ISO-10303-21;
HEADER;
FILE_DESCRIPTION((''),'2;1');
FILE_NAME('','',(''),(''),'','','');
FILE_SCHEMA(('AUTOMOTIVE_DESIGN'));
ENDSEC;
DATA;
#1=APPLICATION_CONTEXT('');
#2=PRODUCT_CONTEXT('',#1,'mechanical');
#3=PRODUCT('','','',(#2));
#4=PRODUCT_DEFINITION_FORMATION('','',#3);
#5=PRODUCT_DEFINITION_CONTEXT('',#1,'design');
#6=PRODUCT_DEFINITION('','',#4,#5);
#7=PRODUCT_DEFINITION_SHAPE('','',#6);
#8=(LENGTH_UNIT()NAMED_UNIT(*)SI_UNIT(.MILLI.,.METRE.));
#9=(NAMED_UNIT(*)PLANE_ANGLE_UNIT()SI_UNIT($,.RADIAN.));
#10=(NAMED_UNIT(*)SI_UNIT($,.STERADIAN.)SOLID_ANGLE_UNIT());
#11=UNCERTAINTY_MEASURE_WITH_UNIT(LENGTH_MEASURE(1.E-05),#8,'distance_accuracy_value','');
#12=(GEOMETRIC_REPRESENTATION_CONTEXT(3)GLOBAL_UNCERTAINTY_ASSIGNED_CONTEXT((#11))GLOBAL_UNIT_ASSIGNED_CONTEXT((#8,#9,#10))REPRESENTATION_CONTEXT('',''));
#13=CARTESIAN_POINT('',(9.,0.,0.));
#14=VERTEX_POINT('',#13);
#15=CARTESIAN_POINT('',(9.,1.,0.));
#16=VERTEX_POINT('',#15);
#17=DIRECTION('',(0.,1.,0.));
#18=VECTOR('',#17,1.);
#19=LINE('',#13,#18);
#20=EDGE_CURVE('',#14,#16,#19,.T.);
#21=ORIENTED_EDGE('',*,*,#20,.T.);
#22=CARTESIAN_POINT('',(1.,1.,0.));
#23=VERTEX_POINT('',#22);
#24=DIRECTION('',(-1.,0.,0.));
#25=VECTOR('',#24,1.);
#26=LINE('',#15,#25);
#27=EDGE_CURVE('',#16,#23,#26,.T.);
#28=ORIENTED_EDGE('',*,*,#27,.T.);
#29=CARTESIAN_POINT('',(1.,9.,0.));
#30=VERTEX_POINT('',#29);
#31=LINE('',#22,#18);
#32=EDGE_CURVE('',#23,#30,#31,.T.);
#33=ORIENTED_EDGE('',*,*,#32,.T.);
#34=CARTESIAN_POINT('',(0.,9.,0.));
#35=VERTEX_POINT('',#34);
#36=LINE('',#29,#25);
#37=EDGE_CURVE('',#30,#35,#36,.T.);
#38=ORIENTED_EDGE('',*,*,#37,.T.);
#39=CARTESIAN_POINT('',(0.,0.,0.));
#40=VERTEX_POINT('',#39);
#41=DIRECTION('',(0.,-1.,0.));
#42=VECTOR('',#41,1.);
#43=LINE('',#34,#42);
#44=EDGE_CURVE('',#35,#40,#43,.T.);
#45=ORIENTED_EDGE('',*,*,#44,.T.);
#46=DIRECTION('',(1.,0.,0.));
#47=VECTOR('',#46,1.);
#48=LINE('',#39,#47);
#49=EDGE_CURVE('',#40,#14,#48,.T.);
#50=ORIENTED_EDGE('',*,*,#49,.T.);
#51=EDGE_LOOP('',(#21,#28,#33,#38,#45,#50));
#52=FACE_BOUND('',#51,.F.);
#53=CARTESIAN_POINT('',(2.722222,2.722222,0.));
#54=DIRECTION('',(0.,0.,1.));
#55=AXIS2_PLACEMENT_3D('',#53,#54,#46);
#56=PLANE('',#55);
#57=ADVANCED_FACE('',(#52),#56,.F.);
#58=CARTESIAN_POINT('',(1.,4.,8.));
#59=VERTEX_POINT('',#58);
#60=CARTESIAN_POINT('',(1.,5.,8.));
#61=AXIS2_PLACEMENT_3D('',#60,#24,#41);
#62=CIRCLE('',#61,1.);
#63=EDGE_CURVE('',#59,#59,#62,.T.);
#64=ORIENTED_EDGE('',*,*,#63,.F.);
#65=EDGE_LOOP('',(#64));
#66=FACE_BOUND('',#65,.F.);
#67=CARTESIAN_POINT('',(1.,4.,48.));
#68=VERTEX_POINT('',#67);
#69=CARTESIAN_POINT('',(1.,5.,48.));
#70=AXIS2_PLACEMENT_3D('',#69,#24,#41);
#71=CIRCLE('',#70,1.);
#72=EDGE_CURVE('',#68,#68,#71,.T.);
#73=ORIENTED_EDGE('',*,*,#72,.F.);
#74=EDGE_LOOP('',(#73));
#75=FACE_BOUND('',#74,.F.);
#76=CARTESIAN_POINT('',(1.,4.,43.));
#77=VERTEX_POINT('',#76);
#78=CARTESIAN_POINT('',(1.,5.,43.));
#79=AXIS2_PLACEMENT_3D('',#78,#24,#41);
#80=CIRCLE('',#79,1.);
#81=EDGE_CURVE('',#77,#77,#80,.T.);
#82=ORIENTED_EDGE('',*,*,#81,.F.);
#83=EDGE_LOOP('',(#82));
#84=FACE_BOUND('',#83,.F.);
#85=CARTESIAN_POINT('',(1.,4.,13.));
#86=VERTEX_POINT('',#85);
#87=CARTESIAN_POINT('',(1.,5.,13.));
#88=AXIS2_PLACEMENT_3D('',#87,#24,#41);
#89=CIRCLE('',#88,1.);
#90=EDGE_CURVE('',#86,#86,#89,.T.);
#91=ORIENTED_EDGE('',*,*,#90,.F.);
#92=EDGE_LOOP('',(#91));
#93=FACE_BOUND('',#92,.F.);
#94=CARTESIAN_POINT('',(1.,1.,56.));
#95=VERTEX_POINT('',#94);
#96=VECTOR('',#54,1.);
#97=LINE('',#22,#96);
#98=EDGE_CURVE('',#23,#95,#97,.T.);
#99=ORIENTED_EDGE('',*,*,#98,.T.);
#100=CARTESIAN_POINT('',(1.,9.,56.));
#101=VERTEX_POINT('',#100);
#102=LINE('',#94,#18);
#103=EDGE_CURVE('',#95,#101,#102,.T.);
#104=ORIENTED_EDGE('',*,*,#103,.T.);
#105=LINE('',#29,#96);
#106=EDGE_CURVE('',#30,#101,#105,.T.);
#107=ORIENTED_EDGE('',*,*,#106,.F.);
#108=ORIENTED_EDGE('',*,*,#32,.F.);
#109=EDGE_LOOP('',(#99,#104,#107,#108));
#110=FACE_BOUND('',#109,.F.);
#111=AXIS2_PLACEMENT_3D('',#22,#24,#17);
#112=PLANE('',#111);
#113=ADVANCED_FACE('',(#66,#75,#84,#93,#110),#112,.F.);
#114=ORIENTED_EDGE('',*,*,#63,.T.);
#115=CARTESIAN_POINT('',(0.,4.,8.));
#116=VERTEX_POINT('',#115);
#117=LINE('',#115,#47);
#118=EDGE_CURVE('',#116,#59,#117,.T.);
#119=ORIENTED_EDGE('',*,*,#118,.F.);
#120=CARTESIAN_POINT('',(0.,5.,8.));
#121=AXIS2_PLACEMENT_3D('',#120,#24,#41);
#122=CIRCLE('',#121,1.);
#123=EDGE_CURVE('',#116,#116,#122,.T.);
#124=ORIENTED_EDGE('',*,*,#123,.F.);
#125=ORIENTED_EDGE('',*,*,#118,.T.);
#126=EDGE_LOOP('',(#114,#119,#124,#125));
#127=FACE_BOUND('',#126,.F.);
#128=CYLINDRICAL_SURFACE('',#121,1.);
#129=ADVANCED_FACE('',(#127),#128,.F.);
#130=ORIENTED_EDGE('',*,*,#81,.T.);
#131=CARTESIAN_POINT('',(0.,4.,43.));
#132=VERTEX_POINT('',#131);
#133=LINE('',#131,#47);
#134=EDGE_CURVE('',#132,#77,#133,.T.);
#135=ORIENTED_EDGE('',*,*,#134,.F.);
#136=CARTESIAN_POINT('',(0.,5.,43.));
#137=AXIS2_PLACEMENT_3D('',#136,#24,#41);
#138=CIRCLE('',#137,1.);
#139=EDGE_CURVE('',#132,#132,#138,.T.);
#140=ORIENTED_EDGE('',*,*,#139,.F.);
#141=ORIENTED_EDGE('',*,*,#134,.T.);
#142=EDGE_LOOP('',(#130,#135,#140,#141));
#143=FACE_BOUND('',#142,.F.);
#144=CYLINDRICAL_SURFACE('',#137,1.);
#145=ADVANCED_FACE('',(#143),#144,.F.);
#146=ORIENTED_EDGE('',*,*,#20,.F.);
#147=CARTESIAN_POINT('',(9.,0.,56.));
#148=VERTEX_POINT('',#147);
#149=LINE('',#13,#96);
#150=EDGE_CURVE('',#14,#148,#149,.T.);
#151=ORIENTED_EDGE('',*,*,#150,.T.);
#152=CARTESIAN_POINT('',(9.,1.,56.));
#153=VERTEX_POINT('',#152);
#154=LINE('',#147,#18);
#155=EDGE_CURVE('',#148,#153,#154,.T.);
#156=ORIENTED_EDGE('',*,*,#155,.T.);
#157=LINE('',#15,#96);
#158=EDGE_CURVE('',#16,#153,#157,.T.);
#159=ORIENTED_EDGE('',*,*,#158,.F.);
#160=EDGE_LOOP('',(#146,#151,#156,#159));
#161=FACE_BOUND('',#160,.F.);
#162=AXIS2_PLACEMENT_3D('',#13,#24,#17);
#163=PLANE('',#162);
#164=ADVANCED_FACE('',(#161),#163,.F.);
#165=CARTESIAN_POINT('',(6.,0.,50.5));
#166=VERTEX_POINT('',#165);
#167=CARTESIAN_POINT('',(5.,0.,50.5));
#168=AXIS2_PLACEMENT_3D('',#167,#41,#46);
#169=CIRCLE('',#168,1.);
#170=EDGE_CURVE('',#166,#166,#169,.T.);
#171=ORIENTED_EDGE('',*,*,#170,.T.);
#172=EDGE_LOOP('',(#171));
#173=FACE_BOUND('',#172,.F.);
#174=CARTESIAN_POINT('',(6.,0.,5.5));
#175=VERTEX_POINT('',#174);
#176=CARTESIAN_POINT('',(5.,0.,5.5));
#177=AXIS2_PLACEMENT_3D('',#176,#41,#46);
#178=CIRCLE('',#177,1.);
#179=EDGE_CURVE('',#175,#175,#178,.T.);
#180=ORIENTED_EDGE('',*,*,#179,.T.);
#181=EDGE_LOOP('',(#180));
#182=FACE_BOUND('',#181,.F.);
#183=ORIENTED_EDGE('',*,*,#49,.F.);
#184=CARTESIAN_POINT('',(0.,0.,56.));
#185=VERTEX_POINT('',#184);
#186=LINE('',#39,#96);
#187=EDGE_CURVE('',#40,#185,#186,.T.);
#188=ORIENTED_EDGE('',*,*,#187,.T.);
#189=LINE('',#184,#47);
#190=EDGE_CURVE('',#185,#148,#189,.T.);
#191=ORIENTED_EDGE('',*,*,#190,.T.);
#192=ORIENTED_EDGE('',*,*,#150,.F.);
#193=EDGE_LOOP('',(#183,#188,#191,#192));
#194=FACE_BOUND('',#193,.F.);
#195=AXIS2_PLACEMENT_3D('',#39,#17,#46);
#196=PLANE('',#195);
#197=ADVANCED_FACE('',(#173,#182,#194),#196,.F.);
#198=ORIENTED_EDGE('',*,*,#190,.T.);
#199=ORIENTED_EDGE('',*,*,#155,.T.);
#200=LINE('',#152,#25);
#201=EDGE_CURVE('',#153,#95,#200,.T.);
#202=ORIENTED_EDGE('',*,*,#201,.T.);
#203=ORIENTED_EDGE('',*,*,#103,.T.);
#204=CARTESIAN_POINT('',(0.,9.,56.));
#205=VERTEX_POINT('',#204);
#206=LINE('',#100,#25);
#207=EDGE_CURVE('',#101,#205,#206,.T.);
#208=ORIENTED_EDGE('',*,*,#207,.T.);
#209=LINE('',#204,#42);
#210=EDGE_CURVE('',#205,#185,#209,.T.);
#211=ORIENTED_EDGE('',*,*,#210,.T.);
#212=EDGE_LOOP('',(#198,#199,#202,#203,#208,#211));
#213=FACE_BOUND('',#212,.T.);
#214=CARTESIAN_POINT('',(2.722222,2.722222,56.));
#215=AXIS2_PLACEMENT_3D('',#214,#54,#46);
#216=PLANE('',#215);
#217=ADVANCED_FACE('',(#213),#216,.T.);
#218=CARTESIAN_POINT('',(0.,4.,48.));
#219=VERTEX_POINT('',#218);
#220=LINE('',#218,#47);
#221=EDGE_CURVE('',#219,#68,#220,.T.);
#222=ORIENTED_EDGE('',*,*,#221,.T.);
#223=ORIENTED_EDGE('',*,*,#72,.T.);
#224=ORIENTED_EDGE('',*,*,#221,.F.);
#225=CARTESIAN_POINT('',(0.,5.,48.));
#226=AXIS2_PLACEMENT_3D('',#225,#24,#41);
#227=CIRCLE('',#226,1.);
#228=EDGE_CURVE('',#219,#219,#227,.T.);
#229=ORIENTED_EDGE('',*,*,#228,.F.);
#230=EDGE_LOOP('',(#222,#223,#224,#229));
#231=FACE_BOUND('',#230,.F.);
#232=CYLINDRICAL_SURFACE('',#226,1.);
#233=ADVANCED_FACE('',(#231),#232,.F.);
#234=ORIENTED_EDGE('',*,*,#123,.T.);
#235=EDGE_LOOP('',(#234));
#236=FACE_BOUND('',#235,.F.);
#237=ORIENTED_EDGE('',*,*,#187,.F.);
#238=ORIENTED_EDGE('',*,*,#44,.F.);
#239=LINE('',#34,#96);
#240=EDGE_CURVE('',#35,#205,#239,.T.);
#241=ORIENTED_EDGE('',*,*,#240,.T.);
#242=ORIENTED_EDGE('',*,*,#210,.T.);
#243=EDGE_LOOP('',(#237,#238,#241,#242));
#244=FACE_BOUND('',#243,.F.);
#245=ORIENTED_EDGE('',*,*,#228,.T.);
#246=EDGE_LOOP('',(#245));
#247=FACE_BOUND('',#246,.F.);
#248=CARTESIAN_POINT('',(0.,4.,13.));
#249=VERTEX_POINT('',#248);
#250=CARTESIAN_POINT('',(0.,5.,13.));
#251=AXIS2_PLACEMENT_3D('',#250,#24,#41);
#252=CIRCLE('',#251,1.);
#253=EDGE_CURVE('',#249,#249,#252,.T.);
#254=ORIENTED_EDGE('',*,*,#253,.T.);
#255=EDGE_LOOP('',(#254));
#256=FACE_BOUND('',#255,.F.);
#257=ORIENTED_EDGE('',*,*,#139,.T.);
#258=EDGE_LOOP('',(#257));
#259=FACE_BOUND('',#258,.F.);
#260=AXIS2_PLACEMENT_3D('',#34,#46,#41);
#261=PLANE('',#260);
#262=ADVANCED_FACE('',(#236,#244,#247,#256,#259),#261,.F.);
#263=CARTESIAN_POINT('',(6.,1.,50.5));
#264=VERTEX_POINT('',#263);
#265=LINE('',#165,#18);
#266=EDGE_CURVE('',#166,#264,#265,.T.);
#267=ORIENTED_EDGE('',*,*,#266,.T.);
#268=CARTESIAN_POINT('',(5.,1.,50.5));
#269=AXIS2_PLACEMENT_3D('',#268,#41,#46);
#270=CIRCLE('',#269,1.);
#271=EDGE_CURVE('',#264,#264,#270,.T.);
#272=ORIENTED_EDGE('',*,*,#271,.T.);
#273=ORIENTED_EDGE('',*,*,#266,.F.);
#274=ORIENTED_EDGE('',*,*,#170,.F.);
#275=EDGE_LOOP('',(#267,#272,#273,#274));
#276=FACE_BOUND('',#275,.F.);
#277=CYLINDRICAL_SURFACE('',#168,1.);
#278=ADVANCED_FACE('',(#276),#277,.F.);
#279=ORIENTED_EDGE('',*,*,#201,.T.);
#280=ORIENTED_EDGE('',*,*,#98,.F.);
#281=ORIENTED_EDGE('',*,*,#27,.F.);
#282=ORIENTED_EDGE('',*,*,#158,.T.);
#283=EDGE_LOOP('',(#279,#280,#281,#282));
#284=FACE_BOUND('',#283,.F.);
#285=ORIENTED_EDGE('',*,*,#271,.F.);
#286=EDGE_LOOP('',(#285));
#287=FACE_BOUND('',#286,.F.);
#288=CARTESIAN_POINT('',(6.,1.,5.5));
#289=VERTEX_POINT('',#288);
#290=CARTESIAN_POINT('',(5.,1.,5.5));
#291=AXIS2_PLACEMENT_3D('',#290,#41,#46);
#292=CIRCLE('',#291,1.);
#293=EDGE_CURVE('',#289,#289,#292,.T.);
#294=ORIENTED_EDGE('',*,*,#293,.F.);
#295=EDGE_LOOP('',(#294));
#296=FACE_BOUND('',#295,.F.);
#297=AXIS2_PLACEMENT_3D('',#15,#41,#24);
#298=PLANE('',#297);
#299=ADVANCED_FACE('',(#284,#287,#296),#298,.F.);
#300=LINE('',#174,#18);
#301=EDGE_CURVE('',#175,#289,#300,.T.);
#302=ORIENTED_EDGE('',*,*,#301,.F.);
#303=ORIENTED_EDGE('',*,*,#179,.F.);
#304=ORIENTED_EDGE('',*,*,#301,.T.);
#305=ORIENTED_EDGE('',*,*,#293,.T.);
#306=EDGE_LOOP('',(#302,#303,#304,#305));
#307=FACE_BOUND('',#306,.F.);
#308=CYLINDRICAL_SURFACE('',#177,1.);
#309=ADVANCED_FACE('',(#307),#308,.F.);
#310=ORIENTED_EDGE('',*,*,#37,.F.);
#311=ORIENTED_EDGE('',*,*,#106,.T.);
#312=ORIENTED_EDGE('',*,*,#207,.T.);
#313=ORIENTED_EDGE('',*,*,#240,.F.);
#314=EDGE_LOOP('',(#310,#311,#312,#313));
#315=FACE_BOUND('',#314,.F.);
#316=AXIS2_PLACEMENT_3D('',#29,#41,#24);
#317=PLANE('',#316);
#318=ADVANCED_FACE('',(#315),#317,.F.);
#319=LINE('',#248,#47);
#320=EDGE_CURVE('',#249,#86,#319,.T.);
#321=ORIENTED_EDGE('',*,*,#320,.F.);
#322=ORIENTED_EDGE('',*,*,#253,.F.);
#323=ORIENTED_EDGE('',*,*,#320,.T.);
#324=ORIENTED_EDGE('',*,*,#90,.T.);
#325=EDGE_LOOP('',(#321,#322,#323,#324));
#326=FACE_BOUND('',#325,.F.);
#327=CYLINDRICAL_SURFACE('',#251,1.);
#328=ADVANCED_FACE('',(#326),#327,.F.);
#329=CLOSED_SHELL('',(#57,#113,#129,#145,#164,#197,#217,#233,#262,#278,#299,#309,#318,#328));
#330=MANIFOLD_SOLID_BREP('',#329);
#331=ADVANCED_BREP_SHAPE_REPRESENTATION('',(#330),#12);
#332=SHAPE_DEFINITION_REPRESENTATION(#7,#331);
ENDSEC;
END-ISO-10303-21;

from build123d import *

# Parameters (mm, degrees)
F1_DEPTH = 56
F2_R     = 1
F3_DEPTH = 1
F4_R     = 1
F5_DEPTH = 1


with BuildPart() as f1:
    # F0 (on Top) → F1 (new body)
    with BuildSketch(Plane.XY):
        Polygon((0, 9), (0, 0), (9, 0), (9, 1), (1, 1), (1, 9), align=None)
    extrude(amount=F1_DEPTH)

    # F2 (on face) → F3 (cut, through all)
    with BuildSketch(Plane.XZ):
        with Locations((5, 50.5)):
            Circle(F2_R)
        with Locations((5, 5.5)):
            Circle(F2_R)
    extrude(amount=-F3_DEPTH, mode=Mode.SUBTRACT)

    # F4 (on face) → F5 (cut, through all)
    with BuildSketch(Plane(origin=(0, 0, 0), x_dir=(0, -1, 0), z_dir=(-1, 0, 0))):
        with Locations((-5, 48)):
            Circle(F4_R)
        with Locations((-5, 8)):
            Circle(F4_R)
        with Locations((-5, 13)):
            Circle(F4_R)
        with Locations((-5, 43)):
            Circle(F4_R)
    extrude(amount=-F5_DEPTH, mode=Mode.SUBTRACT)


solid = f1.part
